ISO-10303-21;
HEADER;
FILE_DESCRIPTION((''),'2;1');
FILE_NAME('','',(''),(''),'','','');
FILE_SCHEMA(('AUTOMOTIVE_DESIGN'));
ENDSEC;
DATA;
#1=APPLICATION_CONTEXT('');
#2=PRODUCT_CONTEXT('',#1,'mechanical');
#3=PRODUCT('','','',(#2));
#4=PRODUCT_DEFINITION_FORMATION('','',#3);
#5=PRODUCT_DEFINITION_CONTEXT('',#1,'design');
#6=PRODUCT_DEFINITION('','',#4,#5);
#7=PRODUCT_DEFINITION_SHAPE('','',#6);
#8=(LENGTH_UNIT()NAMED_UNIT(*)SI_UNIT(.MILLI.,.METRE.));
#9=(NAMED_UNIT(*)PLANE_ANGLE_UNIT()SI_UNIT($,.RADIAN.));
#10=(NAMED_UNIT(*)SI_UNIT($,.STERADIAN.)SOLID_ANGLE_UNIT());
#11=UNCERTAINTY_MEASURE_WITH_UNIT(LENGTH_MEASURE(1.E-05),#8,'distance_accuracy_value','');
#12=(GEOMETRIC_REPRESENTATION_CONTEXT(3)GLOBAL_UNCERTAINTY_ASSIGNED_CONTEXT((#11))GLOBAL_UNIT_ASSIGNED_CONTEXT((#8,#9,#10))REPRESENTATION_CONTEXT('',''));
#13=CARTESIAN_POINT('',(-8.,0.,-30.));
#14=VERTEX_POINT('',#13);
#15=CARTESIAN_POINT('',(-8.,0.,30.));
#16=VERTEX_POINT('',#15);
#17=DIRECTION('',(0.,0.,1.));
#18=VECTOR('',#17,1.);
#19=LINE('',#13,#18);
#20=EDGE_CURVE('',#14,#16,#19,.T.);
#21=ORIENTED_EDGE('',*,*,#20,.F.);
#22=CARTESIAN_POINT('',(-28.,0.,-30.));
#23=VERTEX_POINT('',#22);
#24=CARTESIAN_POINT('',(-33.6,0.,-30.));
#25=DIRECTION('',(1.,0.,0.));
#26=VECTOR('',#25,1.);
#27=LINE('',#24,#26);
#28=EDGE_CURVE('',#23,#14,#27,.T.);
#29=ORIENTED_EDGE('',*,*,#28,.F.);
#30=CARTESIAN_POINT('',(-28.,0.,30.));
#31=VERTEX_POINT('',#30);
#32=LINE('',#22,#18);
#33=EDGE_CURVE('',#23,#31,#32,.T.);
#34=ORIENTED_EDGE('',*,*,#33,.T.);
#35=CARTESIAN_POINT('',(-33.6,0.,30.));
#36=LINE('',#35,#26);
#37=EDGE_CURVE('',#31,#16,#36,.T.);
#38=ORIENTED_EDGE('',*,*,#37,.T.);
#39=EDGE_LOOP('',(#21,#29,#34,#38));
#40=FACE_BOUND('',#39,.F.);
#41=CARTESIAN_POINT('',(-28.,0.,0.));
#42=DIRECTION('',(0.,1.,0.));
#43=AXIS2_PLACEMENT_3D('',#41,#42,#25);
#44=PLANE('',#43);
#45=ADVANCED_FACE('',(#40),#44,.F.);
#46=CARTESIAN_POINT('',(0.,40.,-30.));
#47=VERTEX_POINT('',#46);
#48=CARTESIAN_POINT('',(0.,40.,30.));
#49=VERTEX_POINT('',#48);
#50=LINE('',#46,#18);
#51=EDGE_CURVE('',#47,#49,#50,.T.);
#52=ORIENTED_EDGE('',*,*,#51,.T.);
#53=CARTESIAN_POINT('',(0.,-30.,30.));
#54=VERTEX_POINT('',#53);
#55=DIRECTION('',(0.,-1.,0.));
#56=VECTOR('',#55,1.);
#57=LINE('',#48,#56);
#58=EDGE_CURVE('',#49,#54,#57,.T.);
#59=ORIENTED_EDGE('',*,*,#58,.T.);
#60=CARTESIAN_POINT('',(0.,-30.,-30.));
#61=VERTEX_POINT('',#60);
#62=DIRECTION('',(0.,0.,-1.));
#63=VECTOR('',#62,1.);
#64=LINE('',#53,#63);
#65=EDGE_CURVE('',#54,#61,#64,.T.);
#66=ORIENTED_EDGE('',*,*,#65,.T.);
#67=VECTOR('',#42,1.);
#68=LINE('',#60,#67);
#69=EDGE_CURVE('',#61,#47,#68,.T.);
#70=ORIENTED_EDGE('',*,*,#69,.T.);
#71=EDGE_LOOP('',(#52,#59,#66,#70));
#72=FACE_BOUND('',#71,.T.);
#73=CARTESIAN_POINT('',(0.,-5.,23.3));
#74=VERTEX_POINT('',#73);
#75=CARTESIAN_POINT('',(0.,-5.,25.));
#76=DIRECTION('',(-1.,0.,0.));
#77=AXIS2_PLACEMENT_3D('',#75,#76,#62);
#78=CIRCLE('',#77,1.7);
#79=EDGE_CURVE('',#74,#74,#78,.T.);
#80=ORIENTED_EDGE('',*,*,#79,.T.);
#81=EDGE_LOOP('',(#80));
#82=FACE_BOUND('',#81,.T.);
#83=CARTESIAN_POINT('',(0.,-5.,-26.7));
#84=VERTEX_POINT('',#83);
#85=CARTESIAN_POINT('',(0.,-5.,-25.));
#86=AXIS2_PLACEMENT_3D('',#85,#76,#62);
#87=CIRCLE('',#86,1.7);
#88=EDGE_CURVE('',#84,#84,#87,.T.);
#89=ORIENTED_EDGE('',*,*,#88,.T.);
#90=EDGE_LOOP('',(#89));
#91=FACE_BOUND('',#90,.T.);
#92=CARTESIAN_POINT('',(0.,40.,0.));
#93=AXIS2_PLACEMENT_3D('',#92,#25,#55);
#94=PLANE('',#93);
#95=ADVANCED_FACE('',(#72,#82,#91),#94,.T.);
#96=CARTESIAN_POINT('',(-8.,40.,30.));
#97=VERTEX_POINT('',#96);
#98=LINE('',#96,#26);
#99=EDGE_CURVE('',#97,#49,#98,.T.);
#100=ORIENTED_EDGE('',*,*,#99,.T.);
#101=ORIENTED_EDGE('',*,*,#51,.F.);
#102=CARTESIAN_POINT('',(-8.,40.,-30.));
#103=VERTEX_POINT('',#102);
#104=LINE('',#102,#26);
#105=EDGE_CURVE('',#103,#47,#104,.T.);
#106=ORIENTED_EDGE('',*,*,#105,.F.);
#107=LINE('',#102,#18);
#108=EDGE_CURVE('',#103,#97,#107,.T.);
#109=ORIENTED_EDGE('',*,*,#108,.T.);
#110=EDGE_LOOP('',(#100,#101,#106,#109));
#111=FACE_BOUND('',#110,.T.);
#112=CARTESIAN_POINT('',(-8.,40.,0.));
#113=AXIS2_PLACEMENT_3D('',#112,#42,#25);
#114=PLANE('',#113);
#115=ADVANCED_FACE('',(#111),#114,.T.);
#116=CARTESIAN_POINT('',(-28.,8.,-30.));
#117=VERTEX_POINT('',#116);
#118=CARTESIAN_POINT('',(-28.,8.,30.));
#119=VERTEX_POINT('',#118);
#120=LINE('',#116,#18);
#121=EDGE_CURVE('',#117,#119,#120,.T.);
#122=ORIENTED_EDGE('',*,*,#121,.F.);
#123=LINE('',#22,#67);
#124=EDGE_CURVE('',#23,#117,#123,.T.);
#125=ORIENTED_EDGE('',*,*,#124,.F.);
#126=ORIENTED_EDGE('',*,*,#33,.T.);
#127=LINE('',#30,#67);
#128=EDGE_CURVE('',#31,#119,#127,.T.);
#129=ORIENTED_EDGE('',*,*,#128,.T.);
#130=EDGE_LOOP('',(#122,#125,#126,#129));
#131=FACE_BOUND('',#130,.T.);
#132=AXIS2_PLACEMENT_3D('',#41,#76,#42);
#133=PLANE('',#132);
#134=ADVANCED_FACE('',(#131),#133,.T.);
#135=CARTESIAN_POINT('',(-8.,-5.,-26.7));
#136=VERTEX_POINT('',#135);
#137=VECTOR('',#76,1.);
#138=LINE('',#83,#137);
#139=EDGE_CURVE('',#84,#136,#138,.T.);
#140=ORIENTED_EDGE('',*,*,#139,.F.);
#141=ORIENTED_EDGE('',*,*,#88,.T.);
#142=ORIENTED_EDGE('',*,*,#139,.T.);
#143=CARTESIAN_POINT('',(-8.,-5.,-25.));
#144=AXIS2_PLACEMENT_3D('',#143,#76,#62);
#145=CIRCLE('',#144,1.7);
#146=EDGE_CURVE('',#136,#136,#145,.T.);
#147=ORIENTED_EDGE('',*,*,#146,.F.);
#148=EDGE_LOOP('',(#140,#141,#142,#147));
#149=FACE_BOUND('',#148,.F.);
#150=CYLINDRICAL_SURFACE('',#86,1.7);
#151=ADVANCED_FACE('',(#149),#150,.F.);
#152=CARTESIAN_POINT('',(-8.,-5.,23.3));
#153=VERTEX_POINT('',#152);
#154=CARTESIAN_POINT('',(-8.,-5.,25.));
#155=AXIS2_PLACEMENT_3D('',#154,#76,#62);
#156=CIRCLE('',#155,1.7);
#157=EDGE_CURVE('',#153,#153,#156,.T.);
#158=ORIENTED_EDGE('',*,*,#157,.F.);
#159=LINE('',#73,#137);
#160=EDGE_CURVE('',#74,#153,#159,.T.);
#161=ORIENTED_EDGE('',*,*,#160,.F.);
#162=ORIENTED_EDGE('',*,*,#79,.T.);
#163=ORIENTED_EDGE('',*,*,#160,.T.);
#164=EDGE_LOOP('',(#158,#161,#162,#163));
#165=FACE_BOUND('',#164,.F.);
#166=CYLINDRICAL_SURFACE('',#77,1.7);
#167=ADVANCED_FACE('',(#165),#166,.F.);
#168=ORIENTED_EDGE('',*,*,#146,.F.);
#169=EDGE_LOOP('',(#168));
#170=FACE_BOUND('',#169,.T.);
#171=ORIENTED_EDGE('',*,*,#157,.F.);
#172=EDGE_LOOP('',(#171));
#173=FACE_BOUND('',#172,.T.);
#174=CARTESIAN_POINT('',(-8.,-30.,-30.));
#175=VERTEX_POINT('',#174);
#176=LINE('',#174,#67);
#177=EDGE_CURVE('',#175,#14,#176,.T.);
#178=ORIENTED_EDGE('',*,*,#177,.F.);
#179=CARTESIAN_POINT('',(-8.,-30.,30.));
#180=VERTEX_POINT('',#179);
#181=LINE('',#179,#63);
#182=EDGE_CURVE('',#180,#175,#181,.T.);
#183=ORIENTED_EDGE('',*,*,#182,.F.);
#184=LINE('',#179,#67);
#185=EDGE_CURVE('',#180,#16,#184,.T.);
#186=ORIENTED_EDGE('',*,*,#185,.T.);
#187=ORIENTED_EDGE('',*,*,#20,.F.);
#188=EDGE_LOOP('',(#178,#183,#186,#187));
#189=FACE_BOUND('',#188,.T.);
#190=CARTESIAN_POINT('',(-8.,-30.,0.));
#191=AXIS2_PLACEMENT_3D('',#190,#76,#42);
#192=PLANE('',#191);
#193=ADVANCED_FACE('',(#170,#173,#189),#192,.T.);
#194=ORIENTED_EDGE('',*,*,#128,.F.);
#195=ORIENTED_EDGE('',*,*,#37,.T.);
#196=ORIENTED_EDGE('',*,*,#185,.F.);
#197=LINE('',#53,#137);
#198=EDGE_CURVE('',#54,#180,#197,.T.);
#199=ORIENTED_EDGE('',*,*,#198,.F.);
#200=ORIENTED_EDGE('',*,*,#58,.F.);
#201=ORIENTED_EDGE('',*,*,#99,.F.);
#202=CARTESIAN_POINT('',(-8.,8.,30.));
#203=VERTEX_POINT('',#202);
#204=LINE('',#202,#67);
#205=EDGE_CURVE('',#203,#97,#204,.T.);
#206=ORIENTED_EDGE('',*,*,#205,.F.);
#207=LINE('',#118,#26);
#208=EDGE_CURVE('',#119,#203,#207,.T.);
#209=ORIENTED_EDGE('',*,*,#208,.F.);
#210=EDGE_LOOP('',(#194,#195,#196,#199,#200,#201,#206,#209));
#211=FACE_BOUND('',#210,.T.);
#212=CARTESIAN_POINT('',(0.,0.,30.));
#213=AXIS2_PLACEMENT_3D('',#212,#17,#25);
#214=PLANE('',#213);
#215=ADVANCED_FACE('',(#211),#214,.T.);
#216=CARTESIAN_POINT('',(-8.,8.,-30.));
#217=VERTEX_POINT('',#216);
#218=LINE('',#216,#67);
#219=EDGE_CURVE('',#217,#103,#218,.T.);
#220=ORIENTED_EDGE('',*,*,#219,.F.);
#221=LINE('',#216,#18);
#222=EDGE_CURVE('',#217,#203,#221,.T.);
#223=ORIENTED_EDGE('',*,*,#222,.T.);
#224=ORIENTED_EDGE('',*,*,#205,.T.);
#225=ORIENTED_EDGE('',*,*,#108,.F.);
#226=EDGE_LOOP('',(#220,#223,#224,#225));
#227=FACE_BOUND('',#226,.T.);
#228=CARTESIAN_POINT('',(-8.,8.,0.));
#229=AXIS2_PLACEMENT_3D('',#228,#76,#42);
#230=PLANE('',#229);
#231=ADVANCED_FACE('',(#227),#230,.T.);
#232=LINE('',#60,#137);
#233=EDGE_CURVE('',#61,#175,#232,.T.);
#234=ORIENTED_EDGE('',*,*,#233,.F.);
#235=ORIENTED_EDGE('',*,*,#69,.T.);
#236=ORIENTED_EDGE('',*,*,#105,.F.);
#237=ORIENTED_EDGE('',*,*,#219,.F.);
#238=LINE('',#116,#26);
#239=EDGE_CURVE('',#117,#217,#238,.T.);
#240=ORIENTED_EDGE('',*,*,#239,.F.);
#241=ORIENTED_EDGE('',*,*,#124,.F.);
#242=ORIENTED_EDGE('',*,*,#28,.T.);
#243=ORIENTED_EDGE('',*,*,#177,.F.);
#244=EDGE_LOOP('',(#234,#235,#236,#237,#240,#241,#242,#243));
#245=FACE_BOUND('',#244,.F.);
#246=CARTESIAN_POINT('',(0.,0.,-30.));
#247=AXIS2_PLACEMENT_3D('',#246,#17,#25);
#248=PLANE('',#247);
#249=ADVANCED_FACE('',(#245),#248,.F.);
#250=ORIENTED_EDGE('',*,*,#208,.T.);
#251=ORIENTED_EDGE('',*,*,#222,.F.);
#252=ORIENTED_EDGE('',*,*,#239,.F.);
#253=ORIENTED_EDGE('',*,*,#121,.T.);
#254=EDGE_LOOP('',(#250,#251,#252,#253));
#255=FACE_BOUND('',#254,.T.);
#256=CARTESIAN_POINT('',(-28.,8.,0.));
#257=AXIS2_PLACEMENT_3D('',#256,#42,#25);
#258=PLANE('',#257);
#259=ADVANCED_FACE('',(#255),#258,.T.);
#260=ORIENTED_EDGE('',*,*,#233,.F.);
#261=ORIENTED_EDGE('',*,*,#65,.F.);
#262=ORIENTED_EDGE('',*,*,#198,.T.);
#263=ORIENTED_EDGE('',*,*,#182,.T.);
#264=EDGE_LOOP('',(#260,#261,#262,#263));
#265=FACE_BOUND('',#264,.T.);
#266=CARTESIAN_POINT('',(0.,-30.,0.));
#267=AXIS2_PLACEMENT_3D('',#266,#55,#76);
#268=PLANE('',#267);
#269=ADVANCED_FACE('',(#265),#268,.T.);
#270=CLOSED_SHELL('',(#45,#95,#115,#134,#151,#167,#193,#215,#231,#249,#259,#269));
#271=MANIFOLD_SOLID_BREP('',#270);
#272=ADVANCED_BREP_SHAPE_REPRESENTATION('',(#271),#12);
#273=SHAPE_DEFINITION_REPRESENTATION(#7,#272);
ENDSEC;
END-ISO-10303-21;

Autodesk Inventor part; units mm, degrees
ref_plane "YZ Plane" through (0, 0, 0) normal (1, 0, 0) x (0, 1, 0)
ref_plane "XZ Plane" through (0, 0, 0) normal (0, 1, 0) x (-1, 0, 0)
ref_plane "XY Plane" through (0, 0, 0) normal (0, 0, 1) x (1, 0, 0)
sketch "Skizze1" plane through (0, 0, 0) normal (0, 0, 1) x (1, 0, 0)
  line L0 (0, 54) -> (0, -44) projected
  line L1 (-33.6, 0) -> (5.6, 0) projected
  line L2 (-8, 40) -> (0, 40)
  line L3 (0, 40) -> (0, -30)
  line L4 (0, -30) -> (-8, -30)
  line L5 (-8, -30) -> (-8, 0)
  line L6 (-8, 0) -> (-28, 0)
  line L7 (-28, 0) -> (-28, 8)
  line L8 (-28, 8) -> (-8, 8)
  line L9 (-8, 8) -> (-8, 40)
  point P0 (0, 0)
  dimension "d0" = 70
  dimension "d1" = 8
  dimension "d2" = 20
  dimension "d3" = 8
  dimension "d4" = 40
extrude "Extrusion1" add sketch "Skizze1" along normal mid plane 60
sketch "Skizze2" plane through (0, -30, 30) normal (1, 0, 0) x (0, 0, -1)
  point P0 (30, 30)
sketch "Skizze3" plane through (0, -30, 30) normal (1, 0, 0) x (0, 0, -1)
  line L0 (-12, 30) -> (72, 30) projected
  line L1 (30, -14) -> (30, 84) projected
  line L2 (60, 70) -> (0, 70) projected
  point P0 (30, 30)
  point P1 (5, 25)
  point P2 (55, 25)
  dimension "d7" = 50
  dimension "d8" = 45
hole "Bohrung1" at (0, -5, 25) at (0, -5, -25) direction (-1, 0, 0) diameter 3.4 end through all clearance for "Inbusschraube ISO 4762" size "M3" standard "ISO"
properties part number "25_Laser_adapter"
